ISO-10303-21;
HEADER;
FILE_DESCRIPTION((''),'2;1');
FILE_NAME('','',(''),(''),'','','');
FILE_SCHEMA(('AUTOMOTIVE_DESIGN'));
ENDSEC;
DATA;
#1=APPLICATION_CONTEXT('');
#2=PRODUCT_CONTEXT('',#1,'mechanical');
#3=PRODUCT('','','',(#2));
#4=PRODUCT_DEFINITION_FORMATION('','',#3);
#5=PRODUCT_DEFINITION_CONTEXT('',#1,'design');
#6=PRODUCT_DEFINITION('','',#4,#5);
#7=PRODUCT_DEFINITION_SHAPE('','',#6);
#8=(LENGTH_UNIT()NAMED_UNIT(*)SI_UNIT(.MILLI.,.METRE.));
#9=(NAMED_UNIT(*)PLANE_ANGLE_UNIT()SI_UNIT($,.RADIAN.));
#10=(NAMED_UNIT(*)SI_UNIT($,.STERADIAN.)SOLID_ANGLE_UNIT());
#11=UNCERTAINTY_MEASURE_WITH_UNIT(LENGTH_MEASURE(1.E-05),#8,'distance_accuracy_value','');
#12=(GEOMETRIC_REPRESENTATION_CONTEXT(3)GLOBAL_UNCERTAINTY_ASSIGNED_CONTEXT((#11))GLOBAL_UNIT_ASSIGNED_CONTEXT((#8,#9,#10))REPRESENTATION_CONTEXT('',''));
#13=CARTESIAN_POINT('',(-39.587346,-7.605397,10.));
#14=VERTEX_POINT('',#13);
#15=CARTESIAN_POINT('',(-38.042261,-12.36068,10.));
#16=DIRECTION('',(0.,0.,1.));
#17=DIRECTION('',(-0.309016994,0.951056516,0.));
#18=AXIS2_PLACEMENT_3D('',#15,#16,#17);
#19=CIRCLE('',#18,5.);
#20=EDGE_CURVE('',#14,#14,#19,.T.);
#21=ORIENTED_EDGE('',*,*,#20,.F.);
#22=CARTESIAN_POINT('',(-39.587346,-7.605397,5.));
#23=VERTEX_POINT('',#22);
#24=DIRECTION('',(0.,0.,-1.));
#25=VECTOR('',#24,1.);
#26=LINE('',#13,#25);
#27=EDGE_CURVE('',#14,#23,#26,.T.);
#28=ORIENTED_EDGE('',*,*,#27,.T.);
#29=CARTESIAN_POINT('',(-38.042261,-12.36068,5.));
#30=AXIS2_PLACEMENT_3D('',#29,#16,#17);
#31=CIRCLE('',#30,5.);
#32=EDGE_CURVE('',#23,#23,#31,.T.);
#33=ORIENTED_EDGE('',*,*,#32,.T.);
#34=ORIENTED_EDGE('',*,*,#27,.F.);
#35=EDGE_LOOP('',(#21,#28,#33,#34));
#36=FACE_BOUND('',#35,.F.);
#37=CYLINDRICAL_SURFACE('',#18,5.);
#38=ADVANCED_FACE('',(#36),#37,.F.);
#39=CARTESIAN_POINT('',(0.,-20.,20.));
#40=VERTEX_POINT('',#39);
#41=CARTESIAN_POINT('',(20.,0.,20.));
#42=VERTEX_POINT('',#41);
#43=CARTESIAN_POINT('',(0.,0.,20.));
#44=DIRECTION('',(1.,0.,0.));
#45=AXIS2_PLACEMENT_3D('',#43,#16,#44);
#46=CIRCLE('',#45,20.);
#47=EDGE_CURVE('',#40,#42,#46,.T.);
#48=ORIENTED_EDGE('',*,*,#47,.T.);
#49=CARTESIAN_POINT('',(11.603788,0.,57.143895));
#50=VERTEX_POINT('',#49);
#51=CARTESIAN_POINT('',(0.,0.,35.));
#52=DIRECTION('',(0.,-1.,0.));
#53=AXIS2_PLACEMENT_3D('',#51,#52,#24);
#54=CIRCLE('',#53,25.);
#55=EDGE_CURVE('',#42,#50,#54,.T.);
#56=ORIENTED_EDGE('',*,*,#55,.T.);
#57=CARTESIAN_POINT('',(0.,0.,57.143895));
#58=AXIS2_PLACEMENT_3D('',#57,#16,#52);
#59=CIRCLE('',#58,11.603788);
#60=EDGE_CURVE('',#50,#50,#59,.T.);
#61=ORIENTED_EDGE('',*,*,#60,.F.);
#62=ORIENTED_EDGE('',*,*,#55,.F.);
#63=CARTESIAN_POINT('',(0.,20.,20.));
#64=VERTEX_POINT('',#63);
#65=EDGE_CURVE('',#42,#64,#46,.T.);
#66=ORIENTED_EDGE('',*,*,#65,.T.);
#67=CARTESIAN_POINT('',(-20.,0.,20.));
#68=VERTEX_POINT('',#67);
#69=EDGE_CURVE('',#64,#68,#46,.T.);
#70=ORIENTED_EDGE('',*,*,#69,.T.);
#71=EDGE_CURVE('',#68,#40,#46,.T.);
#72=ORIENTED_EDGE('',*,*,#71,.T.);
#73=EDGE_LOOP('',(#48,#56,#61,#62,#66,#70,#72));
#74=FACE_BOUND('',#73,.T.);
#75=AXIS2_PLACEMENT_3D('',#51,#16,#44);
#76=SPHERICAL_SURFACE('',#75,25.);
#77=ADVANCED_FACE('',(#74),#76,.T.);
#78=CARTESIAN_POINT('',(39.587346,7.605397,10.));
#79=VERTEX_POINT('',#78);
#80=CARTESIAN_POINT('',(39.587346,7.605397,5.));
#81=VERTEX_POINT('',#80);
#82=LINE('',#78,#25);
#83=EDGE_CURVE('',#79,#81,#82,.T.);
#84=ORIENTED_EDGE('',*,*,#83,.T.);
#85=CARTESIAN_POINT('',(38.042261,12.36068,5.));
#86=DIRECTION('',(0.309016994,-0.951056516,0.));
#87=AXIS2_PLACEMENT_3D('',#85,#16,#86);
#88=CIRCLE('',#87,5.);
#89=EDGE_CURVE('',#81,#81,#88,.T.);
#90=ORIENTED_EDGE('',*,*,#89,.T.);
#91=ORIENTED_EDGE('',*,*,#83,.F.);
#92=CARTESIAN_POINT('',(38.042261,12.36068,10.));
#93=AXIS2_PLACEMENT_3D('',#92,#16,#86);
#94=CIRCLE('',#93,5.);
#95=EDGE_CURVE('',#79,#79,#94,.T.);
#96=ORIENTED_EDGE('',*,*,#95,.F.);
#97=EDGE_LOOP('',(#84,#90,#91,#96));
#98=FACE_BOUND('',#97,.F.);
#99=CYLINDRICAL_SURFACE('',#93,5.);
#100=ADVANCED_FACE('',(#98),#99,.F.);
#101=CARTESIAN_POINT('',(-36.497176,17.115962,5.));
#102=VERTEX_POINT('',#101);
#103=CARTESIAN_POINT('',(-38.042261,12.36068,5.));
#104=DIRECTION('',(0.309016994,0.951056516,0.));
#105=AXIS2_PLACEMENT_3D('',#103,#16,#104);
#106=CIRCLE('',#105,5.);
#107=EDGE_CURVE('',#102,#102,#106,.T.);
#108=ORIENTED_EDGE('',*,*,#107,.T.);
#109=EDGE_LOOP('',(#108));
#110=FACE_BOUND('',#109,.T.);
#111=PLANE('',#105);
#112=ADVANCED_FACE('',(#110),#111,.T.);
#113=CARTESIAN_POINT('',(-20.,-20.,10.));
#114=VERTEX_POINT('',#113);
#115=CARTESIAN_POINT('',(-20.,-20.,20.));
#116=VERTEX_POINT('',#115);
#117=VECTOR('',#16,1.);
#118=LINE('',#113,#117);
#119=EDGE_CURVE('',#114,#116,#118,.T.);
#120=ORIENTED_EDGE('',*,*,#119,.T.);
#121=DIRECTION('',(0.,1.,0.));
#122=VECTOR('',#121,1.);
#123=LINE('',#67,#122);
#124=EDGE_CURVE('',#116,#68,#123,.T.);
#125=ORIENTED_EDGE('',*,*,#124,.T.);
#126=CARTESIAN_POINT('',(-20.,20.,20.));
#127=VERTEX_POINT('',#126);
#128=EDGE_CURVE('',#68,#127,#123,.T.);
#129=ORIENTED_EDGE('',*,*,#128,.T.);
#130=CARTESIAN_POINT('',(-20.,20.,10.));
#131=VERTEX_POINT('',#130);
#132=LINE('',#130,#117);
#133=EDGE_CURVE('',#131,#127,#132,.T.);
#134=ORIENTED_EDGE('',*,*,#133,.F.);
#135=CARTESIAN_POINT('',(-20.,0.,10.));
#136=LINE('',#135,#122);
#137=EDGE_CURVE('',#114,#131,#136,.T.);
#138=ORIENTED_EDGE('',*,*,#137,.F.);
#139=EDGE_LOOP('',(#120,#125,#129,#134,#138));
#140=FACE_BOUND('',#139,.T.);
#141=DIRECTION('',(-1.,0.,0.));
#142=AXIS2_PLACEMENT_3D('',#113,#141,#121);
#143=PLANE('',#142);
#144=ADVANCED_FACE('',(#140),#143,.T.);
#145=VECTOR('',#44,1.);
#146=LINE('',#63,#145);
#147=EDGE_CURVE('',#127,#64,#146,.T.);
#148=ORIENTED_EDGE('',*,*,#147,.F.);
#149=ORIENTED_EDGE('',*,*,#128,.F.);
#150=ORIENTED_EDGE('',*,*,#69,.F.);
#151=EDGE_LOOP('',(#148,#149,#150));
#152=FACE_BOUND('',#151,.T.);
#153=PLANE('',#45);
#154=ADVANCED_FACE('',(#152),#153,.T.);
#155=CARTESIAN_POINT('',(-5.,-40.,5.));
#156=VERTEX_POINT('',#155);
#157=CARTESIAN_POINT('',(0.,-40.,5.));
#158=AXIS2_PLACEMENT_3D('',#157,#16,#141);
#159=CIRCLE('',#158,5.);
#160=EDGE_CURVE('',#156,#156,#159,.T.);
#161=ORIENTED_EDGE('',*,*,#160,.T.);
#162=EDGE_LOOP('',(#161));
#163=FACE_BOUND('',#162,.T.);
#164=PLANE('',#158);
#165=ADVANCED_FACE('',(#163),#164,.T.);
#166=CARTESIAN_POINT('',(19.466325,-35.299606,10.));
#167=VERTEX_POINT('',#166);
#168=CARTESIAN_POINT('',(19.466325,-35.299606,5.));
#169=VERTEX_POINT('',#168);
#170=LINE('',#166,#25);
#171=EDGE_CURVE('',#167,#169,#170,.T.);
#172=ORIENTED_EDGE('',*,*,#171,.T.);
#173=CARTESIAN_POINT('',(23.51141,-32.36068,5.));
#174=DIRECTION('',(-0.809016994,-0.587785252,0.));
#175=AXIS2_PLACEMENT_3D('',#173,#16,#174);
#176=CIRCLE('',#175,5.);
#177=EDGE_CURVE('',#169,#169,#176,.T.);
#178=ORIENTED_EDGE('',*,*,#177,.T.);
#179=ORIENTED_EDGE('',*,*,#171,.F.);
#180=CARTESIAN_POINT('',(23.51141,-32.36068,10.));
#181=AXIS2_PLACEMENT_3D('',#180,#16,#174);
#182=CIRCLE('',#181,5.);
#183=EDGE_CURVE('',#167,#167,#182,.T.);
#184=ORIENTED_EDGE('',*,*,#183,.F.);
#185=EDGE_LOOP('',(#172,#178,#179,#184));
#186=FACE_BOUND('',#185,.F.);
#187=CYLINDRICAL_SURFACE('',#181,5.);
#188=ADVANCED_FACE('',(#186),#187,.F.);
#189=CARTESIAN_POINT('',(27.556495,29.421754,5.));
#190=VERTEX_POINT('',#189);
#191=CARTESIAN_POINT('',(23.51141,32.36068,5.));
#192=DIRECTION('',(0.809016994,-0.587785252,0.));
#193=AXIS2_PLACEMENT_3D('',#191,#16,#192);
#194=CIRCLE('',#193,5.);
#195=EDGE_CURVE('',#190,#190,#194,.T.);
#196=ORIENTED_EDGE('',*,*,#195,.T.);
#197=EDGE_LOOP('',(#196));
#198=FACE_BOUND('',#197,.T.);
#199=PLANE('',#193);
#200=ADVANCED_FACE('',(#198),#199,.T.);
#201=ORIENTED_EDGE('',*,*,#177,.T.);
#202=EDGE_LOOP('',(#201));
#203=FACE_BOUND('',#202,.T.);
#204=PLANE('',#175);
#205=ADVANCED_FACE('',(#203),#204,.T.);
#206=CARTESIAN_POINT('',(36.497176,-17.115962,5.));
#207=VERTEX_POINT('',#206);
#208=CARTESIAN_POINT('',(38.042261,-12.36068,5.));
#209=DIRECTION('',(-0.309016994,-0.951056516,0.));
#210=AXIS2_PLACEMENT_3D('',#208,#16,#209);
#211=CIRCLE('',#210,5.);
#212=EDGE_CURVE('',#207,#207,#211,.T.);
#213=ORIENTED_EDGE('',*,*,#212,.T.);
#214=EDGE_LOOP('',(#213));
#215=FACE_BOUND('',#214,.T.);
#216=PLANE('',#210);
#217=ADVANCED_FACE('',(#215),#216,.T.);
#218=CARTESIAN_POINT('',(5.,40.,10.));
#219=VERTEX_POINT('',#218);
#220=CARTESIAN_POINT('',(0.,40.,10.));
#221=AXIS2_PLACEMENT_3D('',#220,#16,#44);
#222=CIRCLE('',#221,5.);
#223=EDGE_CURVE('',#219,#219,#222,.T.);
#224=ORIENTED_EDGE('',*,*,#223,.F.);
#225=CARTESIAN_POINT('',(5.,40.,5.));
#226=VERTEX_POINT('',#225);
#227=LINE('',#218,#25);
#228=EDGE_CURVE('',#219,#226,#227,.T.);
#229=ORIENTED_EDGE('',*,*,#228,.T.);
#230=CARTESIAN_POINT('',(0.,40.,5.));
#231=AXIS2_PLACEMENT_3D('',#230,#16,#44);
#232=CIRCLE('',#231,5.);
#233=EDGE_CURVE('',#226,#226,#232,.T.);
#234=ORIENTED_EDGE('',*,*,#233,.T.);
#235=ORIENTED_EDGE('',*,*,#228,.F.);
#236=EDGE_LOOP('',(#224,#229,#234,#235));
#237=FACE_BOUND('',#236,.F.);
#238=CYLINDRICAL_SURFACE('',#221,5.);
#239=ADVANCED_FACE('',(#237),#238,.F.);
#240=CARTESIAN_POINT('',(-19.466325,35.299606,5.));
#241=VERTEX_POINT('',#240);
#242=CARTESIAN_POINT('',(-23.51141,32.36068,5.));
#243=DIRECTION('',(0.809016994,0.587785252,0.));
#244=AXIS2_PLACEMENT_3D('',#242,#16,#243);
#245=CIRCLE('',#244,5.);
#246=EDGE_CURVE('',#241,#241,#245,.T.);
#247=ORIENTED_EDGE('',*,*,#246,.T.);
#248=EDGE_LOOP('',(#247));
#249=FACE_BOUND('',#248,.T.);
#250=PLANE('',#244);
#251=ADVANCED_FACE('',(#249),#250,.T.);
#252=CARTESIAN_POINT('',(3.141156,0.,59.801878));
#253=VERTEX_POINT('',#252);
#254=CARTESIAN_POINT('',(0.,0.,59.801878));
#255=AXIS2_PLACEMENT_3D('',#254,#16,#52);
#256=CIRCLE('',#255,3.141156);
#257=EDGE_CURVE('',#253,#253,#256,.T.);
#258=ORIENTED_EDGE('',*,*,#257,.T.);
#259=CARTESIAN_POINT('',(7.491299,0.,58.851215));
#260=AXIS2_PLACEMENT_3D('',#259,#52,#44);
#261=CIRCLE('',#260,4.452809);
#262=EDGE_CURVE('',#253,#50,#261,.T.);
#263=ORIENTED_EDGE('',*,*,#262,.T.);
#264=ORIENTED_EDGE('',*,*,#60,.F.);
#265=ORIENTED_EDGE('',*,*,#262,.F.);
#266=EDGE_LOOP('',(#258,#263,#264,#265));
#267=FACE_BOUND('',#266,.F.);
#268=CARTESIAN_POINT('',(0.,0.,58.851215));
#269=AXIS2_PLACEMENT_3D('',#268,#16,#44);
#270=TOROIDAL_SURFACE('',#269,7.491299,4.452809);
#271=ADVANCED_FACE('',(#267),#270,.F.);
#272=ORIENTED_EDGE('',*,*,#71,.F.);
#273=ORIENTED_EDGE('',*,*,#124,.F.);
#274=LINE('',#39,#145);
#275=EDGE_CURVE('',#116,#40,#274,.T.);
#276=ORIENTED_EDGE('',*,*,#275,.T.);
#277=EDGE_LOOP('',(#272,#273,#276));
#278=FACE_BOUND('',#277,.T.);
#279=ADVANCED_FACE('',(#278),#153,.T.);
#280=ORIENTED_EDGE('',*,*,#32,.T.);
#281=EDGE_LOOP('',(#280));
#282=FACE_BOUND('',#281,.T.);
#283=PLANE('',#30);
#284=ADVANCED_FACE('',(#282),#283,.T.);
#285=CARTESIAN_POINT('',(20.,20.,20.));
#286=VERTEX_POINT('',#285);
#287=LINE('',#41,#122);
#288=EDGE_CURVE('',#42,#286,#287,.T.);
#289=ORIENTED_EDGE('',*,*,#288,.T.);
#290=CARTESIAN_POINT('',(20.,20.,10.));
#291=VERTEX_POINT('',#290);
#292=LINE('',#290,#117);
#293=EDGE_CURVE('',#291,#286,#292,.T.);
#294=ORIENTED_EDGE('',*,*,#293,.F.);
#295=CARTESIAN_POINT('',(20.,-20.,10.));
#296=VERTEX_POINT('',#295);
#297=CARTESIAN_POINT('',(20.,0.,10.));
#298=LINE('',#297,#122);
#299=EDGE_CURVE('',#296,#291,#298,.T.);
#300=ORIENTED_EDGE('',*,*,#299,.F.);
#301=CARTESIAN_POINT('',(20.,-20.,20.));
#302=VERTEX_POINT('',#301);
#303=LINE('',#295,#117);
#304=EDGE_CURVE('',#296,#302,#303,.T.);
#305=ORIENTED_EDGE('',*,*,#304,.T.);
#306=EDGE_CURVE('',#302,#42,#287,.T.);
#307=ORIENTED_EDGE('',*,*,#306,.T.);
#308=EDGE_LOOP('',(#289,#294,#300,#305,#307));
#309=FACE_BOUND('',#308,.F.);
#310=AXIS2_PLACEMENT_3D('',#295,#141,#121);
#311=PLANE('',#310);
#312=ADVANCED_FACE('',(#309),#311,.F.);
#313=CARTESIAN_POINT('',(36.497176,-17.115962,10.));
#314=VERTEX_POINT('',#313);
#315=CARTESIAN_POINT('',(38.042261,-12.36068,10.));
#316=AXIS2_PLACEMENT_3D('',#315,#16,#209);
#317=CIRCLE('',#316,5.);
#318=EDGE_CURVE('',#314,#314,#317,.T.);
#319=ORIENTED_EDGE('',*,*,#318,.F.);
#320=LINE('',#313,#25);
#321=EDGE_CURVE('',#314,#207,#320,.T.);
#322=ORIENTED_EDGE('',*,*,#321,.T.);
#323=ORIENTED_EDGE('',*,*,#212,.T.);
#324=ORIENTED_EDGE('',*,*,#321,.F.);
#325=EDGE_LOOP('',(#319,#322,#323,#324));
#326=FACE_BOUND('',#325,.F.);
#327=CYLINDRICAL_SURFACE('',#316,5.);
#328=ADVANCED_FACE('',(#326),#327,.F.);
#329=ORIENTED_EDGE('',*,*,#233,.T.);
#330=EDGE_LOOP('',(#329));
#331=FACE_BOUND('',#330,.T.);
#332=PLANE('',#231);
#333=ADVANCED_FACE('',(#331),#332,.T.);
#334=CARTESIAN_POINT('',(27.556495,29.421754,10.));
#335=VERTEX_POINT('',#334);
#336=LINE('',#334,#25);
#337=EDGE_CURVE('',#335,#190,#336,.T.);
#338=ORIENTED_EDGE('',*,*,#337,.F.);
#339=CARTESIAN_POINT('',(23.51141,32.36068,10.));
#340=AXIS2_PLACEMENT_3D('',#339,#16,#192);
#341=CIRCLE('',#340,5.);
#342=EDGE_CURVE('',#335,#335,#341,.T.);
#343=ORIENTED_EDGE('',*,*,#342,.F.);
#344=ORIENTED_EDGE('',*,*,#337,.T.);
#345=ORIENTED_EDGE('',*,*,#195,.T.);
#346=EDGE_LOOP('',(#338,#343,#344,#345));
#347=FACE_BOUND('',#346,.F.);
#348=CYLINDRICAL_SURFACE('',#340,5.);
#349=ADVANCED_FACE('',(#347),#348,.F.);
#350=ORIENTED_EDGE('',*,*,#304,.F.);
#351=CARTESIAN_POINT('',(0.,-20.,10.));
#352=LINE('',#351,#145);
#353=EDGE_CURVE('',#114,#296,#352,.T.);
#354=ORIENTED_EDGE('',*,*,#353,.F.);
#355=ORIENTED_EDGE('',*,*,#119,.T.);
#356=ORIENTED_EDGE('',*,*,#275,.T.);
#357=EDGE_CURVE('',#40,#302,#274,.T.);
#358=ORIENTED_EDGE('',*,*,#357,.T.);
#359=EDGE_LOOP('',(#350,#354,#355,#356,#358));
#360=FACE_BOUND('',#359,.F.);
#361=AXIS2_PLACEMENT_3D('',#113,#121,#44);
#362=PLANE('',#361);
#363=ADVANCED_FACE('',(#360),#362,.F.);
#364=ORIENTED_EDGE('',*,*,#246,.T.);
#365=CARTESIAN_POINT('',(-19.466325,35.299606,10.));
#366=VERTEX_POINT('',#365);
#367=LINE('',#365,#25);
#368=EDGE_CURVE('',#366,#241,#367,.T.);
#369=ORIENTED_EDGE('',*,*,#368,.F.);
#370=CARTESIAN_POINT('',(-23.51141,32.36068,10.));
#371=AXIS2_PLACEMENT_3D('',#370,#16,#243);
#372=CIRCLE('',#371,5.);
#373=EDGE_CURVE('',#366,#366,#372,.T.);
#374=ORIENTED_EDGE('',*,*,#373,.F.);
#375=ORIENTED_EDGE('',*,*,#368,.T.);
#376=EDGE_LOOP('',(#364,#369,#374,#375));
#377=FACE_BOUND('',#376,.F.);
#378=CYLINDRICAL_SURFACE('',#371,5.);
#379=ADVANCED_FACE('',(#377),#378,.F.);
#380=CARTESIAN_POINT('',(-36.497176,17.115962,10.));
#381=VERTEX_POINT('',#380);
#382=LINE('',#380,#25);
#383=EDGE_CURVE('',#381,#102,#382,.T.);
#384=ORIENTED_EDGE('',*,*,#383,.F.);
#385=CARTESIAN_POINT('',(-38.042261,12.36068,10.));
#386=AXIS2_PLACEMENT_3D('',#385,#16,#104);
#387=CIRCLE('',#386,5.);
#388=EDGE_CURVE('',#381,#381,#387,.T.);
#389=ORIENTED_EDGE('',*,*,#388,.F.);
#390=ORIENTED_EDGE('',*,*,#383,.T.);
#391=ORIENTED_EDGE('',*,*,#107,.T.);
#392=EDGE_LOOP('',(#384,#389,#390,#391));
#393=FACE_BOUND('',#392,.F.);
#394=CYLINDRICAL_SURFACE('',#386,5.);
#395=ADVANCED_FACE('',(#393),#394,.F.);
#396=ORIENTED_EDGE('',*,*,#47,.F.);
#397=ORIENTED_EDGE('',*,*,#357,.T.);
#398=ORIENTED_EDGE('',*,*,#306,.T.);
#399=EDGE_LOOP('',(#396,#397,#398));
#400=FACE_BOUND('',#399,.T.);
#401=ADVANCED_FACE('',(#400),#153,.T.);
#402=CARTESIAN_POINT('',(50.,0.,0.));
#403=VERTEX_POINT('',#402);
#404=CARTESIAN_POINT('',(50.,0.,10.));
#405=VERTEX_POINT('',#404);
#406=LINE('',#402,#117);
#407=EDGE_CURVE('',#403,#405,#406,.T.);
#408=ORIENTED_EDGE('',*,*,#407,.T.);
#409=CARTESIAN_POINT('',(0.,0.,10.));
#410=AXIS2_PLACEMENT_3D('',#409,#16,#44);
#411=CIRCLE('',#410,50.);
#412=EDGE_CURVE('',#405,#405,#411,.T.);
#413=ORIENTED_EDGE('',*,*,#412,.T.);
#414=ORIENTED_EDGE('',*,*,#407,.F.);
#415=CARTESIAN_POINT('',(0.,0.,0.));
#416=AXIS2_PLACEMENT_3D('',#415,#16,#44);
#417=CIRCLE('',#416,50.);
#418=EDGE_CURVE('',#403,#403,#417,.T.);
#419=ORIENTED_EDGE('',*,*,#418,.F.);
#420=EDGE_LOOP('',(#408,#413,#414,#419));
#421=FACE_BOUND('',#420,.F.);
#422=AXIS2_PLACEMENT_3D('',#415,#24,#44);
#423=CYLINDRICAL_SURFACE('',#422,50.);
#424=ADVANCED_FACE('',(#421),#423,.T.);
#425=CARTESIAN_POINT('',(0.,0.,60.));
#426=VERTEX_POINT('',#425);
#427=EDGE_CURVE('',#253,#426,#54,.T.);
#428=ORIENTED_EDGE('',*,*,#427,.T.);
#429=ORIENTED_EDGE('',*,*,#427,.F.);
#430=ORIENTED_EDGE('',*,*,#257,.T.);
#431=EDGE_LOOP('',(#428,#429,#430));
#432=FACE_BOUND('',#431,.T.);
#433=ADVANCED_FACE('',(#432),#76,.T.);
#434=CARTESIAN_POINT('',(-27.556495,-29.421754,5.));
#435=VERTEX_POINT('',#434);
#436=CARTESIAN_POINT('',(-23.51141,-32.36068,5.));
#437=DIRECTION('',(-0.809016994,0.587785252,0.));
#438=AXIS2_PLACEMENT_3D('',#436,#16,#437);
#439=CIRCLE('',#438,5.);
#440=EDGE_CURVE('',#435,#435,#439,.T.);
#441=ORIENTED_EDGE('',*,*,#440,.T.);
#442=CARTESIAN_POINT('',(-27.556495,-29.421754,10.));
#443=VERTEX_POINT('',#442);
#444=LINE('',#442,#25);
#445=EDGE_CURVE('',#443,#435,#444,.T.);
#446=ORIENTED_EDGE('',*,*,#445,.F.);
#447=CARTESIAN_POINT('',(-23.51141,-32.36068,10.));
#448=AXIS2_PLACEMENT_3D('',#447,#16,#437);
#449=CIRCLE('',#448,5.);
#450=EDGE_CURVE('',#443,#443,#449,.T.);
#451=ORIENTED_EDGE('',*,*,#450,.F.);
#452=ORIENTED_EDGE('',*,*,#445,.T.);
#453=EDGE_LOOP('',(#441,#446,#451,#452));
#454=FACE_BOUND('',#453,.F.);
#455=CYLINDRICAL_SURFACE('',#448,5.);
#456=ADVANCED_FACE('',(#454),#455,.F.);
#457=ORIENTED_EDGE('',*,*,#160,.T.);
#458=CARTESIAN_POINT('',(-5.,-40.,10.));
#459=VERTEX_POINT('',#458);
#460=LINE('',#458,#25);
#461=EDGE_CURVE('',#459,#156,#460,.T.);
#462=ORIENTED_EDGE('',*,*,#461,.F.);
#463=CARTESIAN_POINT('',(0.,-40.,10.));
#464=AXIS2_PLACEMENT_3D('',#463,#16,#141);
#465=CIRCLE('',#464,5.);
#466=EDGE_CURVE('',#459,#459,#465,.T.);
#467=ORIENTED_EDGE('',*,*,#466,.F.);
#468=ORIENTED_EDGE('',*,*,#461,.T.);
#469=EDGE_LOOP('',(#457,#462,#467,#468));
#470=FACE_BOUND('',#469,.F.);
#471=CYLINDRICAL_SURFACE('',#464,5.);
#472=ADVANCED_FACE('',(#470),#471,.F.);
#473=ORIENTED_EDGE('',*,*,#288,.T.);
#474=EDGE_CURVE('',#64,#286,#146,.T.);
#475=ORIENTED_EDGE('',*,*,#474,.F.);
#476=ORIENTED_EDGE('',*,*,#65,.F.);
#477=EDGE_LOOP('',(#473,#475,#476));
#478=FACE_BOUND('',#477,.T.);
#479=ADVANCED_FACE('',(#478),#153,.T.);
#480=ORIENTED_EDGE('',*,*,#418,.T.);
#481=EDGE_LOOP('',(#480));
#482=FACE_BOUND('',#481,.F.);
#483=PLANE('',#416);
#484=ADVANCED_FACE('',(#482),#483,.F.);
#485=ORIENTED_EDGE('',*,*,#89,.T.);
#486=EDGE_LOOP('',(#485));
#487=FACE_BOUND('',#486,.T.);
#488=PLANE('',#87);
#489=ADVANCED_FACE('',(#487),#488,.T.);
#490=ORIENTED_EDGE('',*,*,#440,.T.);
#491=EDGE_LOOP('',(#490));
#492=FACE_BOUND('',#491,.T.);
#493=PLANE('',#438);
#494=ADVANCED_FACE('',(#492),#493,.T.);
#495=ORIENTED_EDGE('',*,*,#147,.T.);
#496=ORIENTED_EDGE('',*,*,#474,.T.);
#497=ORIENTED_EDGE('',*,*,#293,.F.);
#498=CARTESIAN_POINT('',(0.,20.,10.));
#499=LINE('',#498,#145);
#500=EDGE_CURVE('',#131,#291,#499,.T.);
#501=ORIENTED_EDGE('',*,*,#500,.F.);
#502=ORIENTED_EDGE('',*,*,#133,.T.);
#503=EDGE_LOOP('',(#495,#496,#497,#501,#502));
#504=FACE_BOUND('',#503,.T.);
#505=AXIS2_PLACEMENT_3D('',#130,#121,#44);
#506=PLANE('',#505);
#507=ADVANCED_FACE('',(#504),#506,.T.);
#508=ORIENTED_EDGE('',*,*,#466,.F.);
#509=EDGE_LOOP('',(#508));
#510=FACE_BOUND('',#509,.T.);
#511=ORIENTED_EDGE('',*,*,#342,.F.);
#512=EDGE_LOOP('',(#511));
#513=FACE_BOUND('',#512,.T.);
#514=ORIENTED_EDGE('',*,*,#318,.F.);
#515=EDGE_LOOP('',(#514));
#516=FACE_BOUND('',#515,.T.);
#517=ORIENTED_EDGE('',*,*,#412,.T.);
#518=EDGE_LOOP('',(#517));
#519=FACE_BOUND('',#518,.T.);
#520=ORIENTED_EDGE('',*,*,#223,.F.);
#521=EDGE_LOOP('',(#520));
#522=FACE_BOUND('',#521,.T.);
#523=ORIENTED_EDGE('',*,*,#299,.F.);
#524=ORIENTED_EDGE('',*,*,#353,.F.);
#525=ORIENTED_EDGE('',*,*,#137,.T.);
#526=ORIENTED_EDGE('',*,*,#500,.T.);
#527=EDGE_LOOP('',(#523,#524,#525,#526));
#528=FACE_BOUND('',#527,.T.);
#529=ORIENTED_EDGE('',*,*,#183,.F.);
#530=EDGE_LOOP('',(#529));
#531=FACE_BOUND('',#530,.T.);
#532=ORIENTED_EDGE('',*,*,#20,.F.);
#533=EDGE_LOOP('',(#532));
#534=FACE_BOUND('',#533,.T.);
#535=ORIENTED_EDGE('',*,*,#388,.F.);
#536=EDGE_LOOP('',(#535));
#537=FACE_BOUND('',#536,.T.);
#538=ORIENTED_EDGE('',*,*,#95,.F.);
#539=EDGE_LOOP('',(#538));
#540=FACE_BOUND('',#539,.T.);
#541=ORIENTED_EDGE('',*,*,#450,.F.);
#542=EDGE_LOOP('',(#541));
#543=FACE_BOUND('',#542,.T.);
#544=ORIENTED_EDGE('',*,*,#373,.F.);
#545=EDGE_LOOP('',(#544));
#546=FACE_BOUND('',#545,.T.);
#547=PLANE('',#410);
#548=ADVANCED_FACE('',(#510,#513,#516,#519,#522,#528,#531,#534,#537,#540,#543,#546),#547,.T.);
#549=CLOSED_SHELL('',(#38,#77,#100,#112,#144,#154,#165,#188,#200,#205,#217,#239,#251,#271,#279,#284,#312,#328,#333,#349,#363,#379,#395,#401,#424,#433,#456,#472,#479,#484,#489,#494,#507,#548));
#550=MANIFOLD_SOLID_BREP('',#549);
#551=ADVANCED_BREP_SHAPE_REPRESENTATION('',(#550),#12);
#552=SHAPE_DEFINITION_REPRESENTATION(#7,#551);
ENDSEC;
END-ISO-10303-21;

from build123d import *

# Parameters (mm, degrees)
SKETCH_R           = 50
PAD_DEPTH          = 10
SKETCH001_R        = 5
POCKET_DEPTH       = 5
POLARPATTERN_COUNT = 10
SKETCH002_W        = 40
SKETCH002_H        = 40
PAD001_DEPTH       = 10
SKETCH004_R        = 4.452809


with BuildPart() as part:
    # Sketch → Pad (new body)
    with BuildSketch(Plane.XY):
        Circle(SKETCH_R)
    extrude(amount=PAD_DEPTH)

    # Sketch001 (on Face3 of Pad) → Pocket (cut)
    with BuildSketch(Plane.XY.offset(10)):
        with Locations((0, 40)):
            Circle(SKETCH001_R)
    pocket = extrude(amount=-POCKET_DEPTH, mode=Mode.SUBTRACT)

    # PolarPattern: Pocket ×10 about axis
    polarpattern_axis = Axis((0, 0, 0), (0, 0, 1))
    for i in range(1, POLARPATTERN_COUNT):
        add(pocket.rotate(polarpattern_axis, i * 360 / POLARPATTERN_COUNT), mode=Mode.SUBTRACT)

    # Sketch002 (on Face3 of PolarPattern) → Pad001 (join)
    with BuildSketch(Plane.XY.offset(10)):
        Rectangle(SKETCH002_W, SKETCH002_H)
    extrude(amount=PAD001_DEPTH)

    # Sketch003 → Revolution (revolve)
    with BuildSketch(Plane.XZ):
        with BuildLine():
            ThreePointArc((0, 10), (25, 35), (0, 60))
            Line((0, 60), (0, 10))
        make_face()
    revolve(axis=Axis((0, 0, 0), (0, 0, 1)))

    # Sketch004 → Groove (revolve, cut)
    with BuildSketch(Plane.XZ):
        with Locations((7.491299, 58.851215)):
            Circle(SKETCH004_R)
    revolve(axis=Axis((0, 0, 0), (0, 0, 1)), mode=Mode.SUBTRACT)


solid = part.part
